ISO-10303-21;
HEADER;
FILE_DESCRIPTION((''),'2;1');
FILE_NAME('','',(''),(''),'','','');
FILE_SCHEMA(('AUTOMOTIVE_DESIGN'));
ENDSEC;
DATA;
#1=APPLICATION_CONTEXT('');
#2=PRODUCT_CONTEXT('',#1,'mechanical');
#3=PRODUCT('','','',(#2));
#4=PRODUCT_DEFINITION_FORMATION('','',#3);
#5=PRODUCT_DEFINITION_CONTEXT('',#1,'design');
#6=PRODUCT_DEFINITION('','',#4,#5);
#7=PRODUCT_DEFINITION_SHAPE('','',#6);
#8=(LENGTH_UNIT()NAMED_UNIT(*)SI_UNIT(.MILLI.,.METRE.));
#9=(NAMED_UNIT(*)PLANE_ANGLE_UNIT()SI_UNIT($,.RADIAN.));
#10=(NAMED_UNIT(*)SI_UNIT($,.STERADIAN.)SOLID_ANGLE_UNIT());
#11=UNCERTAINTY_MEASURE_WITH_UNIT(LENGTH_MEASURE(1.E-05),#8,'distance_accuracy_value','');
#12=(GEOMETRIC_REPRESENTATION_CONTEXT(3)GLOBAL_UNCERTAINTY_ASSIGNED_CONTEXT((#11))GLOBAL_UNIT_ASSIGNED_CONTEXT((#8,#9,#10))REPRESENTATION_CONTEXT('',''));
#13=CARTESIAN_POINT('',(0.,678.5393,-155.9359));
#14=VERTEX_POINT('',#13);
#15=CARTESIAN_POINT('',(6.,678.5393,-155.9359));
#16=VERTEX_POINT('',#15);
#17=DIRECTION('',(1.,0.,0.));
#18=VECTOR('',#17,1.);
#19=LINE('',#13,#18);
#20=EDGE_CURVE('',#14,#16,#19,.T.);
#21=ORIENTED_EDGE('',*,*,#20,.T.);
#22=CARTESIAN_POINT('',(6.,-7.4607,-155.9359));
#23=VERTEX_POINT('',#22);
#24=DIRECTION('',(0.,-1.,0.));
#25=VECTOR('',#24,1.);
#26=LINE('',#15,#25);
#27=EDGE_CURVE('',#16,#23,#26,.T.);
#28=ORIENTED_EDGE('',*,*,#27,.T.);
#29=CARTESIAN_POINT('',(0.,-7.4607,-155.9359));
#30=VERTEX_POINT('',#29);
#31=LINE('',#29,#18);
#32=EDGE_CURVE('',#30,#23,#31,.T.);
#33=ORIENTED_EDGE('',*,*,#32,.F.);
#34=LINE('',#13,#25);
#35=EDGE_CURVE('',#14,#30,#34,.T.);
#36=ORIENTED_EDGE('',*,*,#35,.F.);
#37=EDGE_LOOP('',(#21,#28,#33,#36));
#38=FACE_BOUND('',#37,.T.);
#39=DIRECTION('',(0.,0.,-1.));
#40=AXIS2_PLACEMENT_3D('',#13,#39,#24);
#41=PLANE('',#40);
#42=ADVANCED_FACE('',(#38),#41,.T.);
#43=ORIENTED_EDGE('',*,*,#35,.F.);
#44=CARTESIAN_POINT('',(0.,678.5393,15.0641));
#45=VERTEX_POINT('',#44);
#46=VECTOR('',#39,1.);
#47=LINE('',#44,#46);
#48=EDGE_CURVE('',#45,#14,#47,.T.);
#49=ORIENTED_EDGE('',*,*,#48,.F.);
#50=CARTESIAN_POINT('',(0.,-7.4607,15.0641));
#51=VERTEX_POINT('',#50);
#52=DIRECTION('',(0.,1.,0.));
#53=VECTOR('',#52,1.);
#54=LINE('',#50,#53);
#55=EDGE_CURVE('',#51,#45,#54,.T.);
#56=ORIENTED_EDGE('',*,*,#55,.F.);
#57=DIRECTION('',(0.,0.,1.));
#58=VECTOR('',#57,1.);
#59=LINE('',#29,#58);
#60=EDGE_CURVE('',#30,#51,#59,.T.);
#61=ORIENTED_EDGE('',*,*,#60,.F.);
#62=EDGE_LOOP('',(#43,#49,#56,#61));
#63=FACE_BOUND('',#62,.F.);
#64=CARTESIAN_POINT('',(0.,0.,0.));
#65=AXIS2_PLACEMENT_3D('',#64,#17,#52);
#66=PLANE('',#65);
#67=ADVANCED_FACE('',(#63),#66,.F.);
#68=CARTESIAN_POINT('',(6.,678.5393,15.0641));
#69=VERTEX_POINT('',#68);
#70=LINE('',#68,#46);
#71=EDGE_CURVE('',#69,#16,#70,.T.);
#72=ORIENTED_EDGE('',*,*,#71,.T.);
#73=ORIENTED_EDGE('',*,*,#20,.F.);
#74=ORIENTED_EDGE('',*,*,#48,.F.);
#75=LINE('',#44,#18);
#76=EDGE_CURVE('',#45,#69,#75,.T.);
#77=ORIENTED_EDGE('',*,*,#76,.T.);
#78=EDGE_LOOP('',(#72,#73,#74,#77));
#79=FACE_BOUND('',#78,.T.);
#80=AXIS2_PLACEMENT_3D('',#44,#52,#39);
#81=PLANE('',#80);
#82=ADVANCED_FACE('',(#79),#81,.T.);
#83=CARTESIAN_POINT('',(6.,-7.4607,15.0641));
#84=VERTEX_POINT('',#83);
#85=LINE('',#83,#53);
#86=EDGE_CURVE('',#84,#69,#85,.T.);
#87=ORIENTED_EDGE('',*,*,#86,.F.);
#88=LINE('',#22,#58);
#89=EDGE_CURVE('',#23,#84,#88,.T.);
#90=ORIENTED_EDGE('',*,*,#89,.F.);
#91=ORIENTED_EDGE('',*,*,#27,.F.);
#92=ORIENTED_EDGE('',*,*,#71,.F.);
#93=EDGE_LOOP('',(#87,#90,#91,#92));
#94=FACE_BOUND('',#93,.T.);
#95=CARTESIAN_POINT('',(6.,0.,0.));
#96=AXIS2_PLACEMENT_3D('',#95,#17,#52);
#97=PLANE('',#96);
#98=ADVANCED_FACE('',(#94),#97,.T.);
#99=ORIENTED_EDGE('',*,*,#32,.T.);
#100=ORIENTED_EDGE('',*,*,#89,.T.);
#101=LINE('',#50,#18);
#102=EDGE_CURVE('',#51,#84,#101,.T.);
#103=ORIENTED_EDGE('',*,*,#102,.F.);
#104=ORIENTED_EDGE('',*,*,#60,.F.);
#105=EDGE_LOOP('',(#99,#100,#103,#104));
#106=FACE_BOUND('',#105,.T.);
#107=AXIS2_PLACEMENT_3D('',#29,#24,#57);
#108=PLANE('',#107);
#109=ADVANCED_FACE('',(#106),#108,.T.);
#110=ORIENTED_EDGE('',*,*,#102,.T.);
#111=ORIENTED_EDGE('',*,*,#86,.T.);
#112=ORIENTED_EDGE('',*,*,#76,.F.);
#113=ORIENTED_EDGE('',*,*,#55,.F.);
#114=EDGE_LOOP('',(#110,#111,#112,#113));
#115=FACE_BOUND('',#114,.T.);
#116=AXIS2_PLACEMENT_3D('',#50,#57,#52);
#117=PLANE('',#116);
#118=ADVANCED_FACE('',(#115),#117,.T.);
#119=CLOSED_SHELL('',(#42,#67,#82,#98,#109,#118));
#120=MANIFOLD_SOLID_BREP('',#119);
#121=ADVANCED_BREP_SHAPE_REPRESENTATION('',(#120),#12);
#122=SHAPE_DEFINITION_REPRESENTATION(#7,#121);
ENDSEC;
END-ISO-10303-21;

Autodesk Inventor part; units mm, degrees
ref_plane "YZ Plane" through (0, 0, 0) normal (1, 0, 0) x (0, 1, 0)
ref_plane "XZ Plane" through (0, 0, 0) normal (0, 1, 0) x (-1, 0, 0)
ref_plane "XY Plane" through (0, 0, 0) normal (0, 0, 1) x (1, 0, 0)
sketch "Sketch1" plane through (0, 0, 0) normal (1, 0, 0) x (0, 1, 0)
  line L0 (-7.4607, 15.0641) -> (678.5393, 15.0641)
  line L1 (678.5393, 15.0641) -> (678.5393, -155.9359)
  line L2 (678.5393, -155.9359) -> (-7.4607, -155.9359)
  line L3 (-7.4607, -155.9359) -> (-7.4607, 15.0641)
  point P0 (0, 0)
  dimension "b" = 686
  dimension "d1" = 171
extrude "Extrusion1" add sketch "Sketch1" along normal blind 6
properties part number "CUT PART H"
